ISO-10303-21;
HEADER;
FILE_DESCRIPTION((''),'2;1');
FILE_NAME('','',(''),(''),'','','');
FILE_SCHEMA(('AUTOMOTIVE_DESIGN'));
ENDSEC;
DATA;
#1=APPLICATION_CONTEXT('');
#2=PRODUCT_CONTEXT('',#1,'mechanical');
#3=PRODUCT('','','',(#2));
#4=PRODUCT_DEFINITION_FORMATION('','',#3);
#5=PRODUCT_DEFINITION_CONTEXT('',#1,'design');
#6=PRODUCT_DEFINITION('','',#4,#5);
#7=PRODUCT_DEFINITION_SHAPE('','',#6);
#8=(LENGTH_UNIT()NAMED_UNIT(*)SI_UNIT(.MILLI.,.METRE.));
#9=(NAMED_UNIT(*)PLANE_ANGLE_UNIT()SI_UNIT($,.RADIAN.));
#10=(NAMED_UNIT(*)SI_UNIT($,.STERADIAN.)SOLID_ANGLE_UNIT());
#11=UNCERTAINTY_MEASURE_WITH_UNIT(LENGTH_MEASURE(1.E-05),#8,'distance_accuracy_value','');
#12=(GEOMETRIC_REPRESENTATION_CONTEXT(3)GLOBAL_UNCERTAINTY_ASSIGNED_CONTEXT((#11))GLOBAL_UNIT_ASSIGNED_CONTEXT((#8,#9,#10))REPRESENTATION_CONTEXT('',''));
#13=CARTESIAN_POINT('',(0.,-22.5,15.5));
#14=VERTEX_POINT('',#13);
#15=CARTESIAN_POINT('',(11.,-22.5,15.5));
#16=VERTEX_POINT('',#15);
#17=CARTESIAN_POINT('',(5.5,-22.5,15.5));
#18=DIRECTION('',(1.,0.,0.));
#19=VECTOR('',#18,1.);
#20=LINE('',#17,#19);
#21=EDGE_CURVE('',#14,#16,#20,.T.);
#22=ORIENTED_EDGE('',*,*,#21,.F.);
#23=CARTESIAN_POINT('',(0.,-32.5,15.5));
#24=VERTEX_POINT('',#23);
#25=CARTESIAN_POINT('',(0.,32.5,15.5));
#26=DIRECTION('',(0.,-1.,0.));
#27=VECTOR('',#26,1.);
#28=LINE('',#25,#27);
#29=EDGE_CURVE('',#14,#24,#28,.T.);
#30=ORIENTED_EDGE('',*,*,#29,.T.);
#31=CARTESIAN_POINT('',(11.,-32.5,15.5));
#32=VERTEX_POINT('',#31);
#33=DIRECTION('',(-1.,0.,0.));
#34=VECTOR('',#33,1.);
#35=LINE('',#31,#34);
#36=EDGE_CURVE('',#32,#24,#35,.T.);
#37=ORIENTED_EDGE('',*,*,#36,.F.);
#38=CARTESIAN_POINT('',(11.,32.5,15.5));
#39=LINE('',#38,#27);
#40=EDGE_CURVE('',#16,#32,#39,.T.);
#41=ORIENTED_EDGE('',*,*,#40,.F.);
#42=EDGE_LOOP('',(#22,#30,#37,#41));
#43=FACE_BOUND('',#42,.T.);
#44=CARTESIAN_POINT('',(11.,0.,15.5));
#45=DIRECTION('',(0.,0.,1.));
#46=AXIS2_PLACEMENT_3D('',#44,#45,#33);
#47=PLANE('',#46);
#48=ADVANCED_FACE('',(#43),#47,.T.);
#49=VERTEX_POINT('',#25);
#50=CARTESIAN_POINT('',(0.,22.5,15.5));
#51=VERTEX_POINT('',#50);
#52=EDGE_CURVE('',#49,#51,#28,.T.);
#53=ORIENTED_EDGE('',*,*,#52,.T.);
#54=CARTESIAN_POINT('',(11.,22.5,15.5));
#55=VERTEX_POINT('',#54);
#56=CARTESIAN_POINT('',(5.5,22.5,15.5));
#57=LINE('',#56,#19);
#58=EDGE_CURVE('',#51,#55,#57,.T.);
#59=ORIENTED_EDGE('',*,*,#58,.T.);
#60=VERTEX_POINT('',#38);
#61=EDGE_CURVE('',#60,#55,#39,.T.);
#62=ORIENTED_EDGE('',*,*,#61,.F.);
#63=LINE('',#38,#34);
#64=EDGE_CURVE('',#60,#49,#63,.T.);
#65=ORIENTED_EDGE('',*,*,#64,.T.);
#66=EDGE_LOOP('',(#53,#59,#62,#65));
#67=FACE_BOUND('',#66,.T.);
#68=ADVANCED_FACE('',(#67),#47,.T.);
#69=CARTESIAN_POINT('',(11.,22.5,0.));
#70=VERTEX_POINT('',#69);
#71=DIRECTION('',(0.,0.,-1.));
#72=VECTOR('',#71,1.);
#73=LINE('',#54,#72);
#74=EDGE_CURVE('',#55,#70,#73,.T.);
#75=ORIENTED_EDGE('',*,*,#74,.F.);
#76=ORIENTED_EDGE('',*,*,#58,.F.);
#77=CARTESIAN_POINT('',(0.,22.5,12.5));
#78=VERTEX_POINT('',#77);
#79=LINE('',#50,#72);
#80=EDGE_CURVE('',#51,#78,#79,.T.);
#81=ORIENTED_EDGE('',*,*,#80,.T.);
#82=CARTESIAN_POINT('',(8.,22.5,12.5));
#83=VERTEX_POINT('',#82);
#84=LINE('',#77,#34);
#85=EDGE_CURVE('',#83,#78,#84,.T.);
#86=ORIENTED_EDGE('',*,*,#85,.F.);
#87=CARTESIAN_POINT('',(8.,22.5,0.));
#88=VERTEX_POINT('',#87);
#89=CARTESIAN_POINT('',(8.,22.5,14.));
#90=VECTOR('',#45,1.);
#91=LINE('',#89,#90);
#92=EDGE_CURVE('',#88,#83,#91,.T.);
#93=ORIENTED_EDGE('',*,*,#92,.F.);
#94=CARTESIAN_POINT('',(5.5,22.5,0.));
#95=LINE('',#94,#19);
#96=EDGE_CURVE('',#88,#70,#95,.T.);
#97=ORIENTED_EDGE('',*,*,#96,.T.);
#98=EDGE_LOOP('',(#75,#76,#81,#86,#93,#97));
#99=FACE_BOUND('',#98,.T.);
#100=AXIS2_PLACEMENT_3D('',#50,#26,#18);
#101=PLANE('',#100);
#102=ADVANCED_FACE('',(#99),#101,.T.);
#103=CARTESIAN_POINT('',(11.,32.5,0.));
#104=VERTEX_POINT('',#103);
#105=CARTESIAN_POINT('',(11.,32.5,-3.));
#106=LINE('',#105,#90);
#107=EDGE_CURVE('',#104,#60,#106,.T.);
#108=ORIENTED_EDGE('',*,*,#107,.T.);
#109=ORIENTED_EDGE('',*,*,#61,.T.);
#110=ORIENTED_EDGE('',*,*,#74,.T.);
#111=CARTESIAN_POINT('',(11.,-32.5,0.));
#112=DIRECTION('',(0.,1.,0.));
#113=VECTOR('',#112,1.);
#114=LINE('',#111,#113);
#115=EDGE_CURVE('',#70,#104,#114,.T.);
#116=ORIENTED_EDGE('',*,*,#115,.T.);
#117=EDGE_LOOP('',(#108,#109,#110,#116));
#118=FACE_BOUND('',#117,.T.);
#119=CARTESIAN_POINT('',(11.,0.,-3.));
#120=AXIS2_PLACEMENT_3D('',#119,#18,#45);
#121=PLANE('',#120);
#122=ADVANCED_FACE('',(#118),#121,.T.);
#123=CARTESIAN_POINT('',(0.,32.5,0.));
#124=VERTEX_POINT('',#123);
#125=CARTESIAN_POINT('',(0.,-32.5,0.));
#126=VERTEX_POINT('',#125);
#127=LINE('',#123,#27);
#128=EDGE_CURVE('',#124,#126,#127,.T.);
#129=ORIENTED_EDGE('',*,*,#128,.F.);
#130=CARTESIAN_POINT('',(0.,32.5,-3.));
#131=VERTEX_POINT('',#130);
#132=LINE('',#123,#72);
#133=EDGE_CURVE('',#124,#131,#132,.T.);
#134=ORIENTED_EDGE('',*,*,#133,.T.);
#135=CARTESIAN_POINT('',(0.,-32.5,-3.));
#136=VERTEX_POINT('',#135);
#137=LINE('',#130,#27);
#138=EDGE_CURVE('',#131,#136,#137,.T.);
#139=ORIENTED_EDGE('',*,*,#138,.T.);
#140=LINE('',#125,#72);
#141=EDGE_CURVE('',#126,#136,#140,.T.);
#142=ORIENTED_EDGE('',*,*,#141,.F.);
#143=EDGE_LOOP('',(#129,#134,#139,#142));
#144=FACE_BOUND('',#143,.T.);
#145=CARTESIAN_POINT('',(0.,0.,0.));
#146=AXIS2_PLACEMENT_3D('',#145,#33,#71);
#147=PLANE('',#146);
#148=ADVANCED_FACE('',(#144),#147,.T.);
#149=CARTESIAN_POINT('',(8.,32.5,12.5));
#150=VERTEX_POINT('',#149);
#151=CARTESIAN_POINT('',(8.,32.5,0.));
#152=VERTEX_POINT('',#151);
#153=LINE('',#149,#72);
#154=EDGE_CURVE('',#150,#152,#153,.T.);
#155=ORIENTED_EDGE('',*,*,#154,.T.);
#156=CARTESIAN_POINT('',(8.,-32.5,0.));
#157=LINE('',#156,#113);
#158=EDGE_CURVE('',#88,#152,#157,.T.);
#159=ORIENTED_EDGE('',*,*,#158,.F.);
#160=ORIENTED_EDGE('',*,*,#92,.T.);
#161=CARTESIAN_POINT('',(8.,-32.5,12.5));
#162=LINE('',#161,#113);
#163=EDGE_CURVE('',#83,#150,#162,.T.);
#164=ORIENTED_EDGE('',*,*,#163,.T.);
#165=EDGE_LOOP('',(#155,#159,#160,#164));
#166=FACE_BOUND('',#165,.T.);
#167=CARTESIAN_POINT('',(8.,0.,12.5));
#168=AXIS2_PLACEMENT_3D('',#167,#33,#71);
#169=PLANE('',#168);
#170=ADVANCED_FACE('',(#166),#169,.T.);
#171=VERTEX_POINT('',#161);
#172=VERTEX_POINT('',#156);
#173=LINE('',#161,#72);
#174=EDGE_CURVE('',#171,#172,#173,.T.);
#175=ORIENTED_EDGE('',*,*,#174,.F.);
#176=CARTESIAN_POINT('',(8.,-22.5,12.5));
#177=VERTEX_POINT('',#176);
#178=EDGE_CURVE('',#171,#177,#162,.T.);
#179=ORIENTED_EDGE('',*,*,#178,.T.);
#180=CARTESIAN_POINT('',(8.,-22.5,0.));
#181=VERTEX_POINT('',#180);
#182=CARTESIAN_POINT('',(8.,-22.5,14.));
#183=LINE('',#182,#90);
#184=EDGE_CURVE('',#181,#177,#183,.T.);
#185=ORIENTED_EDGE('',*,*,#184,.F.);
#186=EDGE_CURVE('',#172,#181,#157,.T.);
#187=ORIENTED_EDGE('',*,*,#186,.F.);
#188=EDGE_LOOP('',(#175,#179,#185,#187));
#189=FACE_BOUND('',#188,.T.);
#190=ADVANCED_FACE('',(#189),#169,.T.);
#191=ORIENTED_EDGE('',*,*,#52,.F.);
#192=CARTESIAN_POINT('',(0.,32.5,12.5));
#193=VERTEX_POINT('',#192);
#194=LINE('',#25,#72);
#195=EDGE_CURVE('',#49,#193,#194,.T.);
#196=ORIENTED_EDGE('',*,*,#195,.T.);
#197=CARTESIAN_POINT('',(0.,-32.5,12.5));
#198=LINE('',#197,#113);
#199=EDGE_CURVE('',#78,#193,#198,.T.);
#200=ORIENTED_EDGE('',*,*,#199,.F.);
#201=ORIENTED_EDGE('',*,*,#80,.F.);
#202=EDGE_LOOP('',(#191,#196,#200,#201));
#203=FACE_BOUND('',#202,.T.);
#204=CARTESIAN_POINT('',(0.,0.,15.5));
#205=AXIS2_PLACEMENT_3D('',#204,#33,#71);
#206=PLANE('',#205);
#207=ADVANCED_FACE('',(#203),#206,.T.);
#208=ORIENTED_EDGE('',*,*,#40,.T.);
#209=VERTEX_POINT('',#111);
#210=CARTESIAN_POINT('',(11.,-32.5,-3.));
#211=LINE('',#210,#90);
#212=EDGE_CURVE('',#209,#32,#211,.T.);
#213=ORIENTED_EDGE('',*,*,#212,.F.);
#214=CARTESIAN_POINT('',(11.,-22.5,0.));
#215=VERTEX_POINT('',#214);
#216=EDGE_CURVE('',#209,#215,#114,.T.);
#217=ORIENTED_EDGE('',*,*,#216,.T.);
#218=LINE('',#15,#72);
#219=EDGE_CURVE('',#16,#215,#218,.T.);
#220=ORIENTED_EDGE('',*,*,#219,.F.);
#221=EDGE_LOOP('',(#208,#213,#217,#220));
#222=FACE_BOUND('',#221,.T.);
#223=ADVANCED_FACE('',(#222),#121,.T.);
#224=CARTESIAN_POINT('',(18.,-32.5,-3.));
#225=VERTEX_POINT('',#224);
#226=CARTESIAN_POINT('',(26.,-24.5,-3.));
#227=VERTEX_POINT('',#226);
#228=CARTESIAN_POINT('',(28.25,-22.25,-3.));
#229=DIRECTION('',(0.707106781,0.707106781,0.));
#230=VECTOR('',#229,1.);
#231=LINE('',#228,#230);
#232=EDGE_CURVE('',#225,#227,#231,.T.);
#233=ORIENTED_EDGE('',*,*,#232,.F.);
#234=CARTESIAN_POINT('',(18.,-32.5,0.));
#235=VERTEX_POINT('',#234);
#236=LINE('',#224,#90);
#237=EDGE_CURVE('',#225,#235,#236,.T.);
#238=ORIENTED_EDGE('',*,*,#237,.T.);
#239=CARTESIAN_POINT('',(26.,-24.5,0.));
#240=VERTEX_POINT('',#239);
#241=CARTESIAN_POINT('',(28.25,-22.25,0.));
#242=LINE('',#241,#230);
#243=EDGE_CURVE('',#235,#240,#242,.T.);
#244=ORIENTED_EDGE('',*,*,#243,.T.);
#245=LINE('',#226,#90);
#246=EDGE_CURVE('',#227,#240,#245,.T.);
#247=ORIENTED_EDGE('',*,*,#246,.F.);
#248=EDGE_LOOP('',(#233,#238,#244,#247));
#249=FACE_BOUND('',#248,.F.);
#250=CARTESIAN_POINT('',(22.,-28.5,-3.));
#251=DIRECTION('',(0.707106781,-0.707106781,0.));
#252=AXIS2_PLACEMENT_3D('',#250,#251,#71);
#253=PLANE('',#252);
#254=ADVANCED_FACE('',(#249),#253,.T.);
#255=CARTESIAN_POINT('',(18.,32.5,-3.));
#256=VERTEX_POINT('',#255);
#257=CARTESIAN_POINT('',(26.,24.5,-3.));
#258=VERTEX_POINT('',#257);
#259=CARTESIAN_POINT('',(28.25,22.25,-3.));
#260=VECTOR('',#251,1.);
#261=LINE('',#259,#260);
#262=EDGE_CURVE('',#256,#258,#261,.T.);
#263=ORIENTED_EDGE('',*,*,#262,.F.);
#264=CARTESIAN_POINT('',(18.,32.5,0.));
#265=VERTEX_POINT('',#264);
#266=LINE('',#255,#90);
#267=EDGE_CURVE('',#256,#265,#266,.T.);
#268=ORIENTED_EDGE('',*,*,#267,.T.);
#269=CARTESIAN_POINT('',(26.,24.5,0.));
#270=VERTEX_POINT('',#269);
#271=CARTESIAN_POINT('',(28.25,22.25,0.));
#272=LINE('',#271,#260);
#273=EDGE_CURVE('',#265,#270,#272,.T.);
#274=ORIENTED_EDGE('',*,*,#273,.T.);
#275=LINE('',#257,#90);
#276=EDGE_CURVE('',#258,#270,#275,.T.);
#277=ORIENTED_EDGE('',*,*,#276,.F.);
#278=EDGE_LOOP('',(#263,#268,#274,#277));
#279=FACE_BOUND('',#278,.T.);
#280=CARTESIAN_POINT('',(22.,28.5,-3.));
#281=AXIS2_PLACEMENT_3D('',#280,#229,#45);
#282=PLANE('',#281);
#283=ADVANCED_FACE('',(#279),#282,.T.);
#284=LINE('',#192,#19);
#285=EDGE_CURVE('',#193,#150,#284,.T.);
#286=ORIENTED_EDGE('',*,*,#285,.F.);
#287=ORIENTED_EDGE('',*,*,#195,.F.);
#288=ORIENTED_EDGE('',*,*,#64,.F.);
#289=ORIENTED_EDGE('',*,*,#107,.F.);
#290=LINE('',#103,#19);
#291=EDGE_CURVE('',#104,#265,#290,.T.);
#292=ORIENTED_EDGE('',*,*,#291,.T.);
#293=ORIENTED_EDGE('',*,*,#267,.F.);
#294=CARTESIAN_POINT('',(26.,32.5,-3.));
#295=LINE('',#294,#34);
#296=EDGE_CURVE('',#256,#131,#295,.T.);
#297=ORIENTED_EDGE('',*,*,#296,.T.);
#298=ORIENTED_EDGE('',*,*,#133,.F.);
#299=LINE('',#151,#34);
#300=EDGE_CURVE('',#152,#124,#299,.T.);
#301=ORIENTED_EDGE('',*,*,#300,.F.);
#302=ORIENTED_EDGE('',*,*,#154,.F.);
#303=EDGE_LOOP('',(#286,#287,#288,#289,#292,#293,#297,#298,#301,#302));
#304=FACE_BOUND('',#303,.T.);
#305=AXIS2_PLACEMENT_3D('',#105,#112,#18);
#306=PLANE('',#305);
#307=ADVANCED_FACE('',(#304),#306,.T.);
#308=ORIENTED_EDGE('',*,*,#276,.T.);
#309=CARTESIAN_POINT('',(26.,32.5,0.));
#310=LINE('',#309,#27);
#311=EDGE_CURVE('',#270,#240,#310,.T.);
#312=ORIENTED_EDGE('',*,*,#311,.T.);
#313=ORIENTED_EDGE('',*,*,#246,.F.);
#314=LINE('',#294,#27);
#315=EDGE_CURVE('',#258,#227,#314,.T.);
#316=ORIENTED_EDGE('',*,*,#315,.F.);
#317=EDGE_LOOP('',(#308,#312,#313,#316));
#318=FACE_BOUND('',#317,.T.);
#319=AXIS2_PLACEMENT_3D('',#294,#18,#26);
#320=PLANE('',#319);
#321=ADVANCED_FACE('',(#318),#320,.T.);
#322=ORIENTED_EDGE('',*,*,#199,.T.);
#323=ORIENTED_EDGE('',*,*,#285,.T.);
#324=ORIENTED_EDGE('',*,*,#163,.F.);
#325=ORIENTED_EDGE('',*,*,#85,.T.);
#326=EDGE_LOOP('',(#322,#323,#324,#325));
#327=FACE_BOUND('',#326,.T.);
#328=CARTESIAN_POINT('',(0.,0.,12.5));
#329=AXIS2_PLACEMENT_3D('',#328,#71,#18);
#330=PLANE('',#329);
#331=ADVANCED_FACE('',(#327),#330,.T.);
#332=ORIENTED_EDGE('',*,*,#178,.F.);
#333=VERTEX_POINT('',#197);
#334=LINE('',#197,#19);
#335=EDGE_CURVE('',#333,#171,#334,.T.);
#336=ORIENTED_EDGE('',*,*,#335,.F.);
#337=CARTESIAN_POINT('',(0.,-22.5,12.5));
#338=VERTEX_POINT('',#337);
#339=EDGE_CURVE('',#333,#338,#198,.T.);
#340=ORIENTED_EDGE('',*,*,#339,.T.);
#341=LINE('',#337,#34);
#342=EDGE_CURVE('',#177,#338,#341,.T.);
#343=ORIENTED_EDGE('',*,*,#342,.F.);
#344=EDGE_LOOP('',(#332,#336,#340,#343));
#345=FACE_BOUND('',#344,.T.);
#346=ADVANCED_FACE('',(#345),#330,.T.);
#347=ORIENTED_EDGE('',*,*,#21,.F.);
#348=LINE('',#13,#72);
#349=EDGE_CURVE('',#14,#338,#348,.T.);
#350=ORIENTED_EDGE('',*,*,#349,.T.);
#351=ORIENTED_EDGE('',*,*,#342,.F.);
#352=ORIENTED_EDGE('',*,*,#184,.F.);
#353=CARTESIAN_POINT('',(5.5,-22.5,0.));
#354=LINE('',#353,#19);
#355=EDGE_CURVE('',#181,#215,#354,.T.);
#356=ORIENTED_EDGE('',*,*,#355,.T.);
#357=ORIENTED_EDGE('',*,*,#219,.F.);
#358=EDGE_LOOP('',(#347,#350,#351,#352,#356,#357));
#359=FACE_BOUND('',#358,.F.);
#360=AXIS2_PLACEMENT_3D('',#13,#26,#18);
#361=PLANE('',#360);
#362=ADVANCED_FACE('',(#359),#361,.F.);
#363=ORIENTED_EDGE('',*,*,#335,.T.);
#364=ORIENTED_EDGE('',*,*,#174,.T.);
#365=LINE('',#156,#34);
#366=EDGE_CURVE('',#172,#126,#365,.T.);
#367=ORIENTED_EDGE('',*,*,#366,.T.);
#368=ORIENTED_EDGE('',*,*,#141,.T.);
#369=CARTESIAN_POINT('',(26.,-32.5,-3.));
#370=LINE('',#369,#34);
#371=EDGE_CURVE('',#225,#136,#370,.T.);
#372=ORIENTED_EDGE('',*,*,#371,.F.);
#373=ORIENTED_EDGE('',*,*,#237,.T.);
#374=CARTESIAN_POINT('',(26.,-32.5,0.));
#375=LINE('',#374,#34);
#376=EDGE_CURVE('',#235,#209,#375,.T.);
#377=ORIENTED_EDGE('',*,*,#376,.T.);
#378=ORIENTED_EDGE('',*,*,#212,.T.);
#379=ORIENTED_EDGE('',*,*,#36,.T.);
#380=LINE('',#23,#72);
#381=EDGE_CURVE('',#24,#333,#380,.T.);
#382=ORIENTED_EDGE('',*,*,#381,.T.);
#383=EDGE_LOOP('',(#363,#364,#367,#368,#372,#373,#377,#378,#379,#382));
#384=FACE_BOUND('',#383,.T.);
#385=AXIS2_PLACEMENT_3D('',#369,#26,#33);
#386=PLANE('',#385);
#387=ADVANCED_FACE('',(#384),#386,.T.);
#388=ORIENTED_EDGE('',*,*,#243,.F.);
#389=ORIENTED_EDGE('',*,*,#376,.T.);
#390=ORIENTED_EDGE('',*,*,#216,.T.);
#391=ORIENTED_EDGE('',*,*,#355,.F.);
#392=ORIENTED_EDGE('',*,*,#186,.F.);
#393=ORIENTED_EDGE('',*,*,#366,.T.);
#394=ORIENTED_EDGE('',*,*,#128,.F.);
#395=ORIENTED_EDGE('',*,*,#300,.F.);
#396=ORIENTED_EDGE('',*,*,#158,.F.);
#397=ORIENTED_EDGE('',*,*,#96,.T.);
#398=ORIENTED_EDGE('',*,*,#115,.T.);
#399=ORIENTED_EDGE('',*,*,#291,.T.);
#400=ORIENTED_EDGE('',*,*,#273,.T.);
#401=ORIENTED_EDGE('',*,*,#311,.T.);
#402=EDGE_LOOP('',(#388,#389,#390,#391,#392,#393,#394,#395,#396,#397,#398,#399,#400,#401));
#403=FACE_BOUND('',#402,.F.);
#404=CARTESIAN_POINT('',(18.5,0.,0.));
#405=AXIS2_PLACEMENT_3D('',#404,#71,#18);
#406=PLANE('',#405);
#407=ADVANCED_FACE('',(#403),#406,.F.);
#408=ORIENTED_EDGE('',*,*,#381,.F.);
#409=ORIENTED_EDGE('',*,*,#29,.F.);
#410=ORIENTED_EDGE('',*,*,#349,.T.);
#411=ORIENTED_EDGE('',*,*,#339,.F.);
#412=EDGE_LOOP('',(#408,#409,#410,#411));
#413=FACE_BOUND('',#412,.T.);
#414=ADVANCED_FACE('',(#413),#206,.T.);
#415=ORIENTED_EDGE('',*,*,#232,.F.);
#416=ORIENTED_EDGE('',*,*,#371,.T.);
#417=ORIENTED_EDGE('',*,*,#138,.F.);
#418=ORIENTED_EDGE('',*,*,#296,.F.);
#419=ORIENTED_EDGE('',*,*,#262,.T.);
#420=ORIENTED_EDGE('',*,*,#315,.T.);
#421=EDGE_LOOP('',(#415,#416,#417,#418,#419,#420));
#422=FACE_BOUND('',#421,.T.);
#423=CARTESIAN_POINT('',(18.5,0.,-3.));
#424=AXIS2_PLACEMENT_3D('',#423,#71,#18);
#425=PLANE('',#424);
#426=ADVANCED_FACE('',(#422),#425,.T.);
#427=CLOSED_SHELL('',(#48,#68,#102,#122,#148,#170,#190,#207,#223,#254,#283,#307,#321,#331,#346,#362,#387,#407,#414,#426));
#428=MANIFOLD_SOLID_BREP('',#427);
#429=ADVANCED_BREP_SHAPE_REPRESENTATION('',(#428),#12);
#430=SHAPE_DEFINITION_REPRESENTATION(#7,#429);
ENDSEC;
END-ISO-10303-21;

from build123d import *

# Parameters (mm, degrees)
F1_DEPTH = 32.5
F2_W     = 11
F2_H     = 45
F3_DEPTH = 15.5
F5_DEPTH = 3
F6_SIZE  = 8


with BuildPart() as f1:
    # F0 (on Front) → F1 (new body, symmetric)
    with BuildSketch(Plane.XZ):
        Polygon((8, 0), (0, 0), (0, -3), (11, -3), (11, 15.5), (0, 15.5), (0, 12.5), (8, 12.5), align=None)
    extrude(amount=F1_DEPTH, both=True)

    # F2 (on face) → F3 (cut, through all)
    with BuildSketch(Plane.XY.offset(15.5)):
        with Locations((5.5, 0)):
            Rectangle(F2_W, F2_H)
    extrude(amount=-F3_DEPTH, mode=Mode.SUBTRACT)

    # F4 (on face) → F5 (join, through all)
    with BuildSketch(Plane(origin=(0, 0, -3), x_dir=(1, 0, 0), z_dir=(0, 0, -1))):
        Polygon((11, 22.5), (11, -22.5), (11, -32.5), (26, -32.5), (26, 32.5), (11, 32.5), align=None)
    extrude(amount=-F5_DEPTH)

    # F6
    f6_edges = [f1.edges().sort_by_distance(p)[0] for p in [
        (26, -32.5, -1.5),
        (26, 32.5, -1.5),
    ]]
    chamfer(f6_edges, length=F6_SIZE)


solid = f1.part
